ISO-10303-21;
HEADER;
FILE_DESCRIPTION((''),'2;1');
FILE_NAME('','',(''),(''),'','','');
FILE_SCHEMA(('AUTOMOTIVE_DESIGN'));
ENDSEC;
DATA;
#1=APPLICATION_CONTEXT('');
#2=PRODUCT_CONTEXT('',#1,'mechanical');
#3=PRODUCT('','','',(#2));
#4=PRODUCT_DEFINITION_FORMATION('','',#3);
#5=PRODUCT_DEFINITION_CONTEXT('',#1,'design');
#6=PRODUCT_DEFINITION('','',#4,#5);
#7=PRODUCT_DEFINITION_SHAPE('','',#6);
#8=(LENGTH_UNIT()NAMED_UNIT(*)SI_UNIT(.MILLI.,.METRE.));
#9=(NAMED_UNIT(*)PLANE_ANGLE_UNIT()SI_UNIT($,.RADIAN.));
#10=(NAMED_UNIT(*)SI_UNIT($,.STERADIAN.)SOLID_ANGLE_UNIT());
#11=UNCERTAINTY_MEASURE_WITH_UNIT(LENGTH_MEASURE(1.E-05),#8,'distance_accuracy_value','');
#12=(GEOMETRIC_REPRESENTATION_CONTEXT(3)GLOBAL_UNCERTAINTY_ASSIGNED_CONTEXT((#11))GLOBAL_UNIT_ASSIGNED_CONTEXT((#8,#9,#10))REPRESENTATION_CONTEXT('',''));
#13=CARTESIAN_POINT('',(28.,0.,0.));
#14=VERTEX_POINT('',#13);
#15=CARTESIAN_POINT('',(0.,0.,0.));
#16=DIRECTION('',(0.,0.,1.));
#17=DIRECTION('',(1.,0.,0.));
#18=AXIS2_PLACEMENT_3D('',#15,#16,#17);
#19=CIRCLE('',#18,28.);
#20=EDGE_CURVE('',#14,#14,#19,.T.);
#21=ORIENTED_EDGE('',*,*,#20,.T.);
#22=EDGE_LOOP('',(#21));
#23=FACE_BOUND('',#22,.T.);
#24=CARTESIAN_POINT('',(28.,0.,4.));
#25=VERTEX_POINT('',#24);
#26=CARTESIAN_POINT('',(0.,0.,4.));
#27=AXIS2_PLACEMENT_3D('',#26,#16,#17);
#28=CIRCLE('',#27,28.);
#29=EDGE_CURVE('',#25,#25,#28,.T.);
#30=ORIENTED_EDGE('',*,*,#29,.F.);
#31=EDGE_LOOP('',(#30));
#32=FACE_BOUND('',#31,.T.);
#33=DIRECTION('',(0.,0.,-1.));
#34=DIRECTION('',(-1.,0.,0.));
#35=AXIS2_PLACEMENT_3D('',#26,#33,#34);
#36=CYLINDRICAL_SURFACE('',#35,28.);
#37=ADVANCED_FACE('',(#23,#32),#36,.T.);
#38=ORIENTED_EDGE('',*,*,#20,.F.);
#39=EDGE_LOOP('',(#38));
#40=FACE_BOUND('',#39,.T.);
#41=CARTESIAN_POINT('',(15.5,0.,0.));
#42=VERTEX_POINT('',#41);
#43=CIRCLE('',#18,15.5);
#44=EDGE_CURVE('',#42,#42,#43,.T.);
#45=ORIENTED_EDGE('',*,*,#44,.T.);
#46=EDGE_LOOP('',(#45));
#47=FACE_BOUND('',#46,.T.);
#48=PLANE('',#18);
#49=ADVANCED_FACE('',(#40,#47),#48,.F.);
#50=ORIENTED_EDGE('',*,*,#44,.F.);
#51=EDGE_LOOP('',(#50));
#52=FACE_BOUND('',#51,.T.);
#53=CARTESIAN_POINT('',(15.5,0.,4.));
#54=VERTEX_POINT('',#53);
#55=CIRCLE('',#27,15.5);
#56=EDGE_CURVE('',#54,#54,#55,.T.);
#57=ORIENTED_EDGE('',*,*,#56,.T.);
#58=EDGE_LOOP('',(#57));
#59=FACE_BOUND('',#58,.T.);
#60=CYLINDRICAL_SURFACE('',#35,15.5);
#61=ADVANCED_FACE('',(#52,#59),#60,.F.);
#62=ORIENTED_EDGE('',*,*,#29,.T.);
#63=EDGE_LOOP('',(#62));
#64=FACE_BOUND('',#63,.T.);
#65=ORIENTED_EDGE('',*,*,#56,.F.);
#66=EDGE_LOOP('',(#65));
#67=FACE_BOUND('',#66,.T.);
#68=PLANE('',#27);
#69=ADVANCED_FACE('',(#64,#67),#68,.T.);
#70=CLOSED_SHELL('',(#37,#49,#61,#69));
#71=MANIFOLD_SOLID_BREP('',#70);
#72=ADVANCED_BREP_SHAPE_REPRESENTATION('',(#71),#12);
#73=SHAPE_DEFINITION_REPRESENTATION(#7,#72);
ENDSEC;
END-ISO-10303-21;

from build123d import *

# Parameters (mm, degrees)
SZKIC1_R                    = 28
SZKIC1_R_2                  = 15.5
DODANIE_WYCI_GNI_CIE1_DEPTH = 4


with BuildPart() as part:
    # Szkic1 → Dodanie-wyciągnięcie1 (new body)
    with BuildSketch(Plane.XY):
        Circle(SZKIC1_R)
        Circle(SZKIC1_R_2, mode=Mode.SUBTRACT)
    extrude(amount=DODANIE_WYCI_GNI_CIE1_DEPTH)


solid = part.part
